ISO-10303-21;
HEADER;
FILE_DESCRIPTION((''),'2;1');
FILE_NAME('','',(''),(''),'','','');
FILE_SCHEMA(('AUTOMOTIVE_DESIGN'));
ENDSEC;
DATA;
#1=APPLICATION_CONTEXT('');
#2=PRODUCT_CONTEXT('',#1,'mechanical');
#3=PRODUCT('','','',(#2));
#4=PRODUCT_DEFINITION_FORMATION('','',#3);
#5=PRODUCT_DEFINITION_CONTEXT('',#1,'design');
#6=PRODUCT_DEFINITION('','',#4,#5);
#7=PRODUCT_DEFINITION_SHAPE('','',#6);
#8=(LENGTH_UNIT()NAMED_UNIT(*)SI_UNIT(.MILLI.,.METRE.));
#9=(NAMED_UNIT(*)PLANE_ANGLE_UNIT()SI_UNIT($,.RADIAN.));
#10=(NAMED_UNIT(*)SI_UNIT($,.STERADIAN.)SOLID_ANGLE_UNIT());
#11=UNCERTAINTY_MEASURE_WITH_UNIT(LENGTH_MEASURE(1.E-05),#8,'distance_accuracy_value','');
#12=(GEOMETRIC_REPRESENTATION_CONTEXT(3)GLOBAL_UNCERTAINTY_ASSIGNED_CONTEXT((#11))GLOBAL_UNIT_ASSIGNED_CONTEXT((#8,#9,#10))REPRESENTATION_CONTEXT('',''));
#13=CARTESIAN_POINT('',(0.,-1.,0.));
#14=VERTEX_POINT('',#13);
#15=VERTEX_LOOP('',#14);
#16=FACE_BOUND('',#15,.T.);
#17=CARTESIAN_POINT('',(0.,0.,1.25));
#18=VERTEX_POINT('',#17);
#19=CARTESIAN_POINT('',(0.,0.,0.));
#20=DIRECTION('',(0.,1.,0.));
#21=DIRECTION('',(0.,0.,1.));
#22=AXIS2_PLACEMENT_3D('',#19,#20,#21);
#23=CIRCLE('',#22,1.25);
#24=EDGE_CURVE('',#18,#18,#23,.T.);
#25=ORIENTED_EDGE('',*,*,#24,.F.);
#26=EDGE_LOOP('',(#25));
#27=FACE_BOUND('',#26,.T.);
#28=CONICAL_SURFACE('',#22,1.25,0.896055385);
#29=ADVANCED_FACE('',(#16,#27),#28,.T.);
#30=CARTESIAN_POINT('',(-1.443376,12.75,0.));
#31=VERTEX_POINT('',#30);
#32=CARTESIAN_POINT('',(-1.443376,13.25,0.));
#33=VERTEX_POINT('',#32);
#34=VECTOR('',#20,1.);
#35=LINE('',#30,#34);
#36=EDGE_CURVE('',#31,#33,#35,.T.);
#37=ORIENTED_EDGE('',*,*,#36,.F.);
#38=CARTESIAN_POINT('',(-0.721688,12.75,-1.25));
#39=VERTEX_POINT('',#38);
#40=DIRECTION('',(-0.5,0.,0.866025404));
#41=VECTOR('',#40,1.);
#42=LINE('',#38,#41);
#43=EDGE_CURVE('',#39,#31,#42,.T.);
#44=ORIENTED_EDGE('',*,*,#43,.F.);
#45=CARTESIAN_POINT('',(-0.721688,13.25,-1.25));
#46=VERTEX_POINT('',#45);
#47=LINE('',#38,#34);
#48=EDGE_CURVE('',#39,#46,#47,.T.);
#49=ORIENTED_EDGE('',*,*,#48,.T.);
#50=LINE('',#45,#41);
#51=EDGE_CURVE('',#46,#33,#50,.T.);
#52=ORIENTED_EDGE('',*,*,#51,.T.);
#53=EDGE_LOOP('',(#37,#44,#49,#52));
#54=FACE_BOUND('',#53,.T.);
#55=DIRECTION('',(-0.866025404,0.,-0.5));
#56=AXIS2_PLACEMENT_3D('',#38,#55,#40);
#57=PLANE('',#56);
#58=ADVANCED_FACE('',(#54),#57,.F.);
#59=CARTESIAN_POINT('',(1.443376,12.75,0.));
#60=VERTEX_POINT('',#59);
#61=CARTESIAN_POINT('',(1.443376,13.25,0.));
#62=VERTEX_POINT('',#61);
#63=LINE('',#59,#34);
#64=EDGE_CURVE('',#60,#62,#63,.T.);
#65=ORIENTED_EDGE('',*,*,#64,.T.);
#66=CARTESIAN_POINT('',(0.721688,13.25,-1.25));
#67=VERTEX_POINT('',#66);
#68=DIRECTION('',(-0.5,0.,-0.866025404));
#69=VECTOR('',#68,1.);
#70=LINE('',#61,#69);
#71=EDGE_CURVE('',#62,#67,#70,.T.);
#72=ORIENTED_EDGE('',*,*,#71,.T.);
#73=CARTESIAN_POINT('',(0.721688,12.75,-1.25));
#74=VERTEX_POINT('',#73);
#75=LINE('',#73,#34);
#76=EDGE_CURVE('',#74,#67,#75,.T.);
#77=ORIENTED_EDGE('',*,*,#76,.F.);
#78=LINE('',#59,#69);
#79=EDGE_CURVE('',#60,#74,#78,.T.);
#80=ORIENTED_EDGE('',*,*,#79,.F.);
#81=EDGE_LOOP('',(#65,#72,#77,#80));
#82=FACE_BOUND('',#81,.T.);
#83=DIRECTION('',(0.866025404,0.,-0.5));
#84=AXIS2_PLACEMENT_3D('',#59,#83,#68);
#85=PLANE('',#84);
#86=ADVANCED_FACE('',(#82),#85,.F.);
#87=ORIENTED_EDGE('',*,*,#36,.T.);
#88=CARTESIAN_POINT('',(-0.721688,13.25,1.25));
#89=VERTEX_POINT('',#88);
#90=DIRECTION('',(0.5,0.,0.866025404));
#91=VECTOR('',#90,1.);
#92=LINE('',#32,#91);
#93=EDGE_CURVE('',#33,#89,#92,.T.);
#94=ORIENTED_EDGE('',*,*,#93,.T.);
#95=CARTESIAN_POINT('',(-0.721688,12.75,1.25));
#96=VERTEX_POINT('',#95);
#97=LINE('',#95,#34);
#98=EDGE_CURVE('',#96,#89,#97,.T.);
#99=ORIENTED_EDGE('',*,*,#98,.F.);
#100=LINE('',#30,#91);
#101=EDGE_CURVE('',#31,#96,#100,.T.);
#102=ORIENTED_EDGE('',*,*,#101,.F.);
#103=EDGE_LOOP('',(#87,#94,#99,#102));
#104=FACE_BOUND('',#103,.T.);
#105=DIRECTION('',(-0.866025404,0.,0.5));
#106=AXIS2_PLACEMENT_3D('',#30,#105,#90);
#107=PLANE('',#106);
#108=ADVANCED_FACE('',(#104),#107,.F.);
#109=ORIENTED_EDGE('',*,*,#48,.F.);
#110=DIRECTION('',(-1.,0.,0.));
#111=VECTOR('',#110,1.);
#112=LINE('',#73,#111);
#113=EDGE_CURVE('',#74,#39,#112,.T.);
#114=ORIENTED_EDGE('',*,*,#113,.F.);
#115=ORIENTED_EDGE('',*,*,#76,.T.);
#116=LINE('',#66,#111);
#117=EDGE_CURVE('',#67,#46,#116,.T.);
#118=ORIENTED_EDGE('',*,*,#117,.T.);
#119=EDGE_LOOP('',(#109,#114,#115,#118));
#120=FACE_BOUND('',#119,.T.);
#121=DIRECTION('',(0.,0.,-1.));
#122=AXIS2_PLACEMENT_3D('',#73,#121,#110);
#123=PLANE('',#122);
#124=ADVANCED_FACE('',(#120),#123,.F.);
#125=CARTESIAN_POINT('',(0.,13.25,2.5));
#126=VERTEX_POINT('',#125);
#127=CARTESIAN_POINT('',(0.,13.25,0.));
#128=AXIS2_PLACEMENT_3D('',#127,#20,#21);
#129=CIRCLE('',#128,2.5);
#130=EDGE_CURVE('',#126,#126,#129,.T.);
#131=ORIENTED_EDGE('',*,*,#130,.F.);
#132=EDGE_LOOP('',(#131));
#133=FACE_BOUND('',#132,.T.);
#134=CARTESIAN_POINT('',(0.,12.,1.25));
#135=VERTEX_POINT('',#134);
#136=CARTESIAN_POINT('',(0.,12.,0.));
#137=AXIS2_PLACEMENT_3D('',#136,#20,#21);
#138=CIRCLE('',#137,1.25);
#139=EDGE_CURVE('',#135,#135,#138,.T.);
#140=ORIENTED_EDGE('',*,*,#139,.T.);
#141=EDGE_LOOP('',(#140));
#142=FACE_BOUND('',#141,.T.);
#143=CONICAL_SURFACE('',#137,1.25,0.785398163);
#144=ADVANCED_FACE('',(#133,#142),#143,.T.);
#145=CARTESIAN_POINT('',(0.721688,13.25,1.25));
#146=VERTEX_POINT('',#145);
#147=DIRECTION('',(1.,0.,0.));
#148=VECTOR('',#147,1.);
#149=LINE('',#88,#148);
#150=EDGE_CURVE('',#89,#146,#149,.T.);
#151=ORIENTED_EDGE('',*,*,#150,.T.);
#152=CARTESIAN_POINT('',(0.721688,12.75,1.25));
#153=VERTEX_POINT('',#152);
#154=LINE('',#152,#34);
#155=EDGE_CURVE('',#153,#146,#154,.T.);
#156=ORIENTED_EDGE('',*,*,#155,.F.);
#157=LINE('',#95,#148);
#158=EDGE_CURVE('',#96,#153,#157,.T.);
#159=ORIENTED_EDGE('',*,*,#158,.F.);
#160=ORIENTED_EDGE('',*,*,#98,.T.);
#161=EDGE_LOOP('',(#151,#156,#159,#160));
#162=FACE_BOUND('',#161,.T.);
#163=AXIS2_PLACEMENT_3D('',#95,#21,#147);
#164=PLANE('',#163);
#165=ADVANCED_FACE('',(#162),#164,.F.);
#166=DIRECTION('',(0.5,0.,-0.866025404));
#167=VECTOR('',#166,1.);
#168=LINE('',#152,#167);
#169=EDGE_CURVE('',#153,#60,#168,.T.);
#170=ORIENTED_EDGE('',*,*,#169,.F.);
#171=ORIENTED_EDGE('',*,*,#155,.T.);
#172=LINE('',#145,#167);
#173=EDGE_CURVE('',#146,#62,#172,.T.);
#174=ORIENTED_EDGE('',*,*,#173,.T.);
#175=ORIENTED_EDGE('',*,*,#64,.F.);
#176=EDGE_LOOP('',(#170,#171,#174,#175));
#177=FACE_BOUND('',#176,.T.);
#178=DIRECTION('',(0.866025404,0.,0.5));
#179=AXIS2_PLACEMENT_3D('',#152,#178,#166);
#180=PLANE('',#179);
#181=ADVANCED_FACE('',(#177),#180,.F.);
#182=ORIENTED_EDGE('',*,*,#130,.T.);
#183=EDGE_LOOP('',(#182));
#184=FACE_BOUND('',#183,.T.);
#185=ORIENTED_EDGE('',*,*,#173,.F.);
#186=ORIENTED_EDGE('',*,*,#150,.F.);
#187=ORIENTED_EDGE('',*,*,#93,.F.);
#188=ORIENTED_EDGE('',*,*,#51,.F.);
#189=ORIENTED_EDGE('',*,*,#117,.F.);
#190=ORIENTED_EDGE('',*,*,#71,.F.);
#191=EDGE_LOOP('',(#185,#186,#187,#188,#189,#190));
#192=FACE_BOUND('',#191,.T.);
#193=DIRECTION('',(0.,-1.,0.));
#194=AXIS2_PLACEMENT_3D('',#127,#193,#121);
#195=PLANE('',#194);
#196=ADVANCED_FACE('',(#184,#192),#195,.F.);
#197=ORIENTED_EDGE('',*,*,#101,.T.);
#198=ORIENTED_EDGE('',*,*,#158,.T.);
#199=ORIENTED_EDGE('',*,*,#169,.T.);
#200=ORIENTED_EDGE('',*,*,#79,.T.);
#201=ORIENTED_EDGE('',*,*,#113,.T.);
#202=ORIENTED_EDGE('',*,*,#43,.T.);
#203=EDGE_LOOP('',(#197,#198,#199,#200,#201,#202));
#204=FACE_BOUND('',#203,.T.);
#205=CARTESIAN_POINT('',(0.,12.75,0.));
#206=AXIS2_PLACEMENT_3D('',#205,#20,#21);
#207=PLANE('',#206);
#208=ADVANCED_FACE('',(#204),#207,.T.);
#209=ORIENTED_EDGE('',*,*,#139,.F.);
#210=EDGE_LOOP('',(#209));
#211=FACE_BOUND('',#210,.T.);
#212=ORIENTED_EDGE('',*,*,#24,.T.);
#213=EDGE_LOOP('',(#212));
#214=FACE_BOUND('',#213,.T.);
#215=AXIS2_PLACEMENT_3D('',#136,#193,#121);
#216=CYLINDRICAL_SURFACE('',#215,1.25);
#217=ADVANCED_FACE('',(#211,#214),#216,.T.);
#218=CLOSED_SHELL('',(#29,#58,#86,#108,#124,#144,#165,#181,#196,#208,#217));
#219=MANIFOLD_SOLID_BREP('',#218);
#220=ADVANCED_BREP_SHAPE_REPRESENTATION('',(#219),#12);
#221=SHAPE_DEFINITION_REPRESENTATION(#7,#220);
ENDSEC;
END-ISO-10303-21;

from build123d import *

# Parameters (mm, degrees)
CROQUIS1_R              = 1.25
SALIENTE_EXTRUIR1_DEPTH = 12
CORTAR_EXTRUIR1_DEPTH   = 0.5


with BuildPart() as part:
    # Croquis1 → Saliente-Extruir1 (new body)
    with BuildSketch(Plane(origin=(0, 0, 0), x_dir=(1, 0, 0), z_dir=(0, 1, 0))):
        Circle(CROQUIS1_R)
    extrude(amount=SALIENTE_EXTRUIR1_DEPTH)

    # Croquis2 one side → Revolución1 (revolve)
    with BuildSketch(Plane(origin=(0, 0, 0), x_dir=(0, 0, -1), z_dir=(1, 0, 0))):
        Polygon((0, 13.25), (0, 12), (1.25, 12), (2.5, 13.25), align=None)
    revolve(axis=Axis((0, 13.25, 0), (0, -1, 0)))

    # Croquis3 → Cortar-Extruir1 (cut)
    with BuildSketch(Plane(origin=(0, 13.25, 0), x_dir=(1, 0, 0), z_dir=(0, 1, 0))):
        Polygon((1.443375673, 0), (0.721687836, 1.25), (-0.721687836, 1.25), (-1.443375673, 0), (-0.721687836, -1.25), (0.721687836, -1.25), align=None)
    extrude(amount=-CORTAR_EXTRUIR1_DEPTH, mode=Mode.SUBTRACT)

    # Croquis4 one side → Revolución2 (revolve)
    with BuildSketch(Plane.XY):
        Polygon((0, 0), (0, -1), (1.25, 0), align=None)
    revolve(axis=Axis((0, 0, 0), (0, -1, 0)))


solid = part.part
